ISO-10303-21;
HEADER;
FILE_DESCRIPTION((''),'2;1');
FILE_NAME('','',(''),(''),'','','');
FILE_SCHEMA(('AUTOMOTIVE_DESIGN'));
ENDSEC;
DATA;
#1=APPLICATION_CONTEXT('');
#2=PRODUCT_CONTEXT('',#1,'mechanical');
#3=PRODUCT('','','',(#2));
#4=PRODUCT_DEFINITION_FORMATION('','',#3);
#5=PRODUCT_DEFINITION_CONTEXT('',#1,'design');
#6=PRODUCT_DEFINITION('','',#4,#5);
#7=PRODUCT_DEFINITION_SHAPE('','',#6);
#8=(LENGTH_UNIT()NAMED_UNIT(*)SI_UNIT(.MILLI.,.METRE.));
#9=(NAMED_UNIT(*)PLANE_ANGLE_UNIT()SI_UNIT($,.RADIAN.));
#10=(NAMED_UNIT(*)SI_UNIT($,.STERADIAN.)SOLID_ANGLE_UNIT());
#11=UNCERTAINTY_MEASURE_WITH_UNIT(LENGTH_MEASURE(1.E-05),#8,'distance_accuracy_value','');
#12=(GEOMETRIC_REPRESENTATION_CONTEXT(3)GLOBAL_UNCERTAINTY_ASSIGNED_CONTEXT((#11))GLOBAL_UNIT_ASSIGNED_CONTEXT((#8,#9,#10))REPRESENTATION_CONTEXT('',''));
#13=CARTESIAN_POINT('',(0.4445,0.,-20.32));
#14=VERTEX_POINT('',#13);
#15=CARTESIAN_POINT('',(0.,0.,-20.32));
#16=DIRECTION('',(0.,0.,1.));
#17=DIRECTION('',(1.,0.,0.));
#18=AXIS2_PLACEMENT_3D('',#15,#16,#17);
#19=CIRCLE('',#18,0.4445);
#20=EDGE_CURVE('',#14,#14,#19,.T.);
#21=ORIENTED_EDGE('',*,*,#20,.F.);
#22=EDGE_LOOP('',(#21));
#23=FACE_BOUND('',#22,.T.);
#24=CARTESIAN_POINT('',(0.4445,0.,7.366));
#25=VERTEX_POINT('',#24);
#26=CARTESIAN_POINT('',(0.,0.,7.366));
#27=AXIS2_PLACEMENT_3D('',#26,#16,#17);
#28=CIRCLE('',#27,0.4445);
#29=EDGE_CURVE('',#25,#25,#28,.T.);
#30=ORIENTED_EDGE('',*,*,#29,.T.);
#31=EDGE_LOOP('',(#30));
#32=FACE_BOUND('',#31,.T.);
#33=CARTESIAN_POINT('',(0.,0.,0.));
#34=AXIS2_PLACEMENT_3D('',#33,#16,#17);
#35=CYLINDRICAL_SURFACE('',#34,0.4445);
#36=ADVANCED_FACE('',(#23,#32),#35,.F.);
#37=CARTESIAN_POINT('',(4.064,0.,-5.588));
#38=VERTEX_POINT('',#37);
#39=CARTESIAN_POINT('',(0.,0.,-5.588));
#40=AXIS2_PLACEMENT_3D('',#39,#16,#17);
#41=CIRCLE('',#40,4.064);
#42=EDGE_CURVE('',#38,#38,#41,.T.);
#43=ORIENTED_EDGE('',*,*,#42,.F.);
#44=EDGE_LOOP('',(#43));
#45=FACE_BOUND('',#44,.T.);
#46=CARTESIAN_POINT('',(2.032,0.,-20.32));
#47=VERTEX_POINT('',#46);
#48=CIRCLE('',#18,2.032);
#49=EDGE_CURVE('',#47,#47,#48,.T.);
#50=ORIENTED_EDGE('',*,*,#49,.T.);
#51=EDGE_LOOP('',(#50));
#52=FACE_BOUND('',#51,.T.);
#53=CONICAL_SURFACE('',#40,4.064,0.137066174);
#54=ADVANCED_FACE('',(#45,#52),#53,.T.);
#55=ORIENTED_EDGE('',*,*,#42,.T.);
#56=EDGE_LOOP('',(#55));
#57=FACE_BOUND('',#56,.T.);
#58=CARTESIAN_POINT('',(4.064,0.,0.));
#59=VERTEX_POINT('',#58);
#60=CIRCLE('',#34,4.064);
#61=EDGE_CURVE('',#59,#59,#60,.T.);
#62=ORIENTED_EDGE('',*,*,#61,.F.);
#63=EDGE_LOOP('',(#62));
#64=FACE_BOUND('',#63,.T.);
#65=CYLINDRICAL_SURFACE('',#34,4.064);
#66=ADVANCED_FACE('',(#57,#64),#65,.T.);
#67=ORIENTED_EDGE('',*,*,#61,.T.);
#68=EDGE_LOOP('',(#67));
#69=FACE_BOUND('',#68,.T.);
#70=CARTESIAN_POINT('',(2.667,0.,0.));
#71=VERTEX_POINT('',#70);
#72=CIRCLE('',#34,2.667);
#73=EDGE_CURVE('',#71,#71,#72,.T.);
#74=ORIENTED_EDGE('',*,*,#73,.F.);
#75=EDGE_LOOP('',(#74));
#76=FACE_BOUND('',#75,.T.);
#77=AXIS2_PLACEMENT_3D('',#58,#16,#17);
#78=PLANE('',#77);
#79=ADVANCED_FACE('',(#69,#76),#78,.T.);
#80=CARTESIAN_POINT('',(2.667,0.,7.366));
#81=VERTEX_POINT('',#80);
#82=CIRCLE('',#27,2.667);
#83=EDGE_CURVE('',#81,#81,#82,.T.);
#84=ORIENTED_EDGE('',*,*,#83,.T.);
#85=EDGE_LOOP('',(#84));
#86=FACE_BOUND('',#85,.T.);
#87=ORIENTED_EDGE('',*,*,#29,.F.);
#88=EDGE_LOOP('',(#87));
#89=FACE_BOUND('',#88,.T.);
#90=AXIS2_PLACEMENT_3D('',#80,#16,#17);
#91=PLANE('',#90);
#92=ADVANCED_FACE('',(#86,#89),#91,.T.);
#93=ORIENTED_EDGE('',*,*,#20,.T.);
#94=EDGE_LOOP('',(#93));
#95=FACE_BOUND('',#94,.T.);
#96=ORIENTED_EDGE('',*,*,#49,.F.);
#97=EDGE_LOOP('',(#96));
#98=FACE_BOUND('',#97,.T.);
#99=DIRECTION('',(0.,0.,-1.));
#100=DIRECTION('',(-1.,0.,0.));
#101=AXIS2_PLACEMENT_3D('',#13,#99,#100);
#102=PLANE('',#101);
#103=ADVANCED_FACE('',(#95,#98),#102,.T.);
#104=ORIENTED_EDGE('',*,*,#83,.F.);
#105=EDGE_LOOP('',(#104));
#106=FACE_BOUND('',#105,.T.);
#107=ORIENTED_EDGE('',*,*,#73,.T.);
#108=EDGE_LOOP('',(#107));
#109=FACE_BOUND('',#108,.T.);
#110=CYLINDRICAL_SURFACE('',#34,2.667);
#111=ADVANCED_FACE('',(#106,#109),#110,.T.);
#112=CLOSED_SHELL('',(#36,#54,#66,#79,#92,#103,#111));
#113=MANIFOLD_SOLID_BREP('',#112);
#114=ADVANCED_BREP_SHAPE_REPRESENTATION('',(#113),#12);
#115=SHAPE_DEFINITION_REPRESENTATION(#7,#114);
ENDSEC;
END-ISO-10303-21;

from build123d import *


with BuildPart() as part:
    # Sketch2 → Revolve1 (revolve)
    with BuildSketch(Plane(origin=(0, 0, 0), x_dir=(1, 0, 0), z_dir=(0, 1, 0))):
        Polygon((0.4445, 20.32), (0.4445, -7.366), (2.667, -7.366), (2.667, 0), (4.064, 0), (4.064, 5.588), (2.032, 20.32), align=None)
    revolve(axis=Axis((0, 0, 0), (0, 0, -1)))


solid = part.part
